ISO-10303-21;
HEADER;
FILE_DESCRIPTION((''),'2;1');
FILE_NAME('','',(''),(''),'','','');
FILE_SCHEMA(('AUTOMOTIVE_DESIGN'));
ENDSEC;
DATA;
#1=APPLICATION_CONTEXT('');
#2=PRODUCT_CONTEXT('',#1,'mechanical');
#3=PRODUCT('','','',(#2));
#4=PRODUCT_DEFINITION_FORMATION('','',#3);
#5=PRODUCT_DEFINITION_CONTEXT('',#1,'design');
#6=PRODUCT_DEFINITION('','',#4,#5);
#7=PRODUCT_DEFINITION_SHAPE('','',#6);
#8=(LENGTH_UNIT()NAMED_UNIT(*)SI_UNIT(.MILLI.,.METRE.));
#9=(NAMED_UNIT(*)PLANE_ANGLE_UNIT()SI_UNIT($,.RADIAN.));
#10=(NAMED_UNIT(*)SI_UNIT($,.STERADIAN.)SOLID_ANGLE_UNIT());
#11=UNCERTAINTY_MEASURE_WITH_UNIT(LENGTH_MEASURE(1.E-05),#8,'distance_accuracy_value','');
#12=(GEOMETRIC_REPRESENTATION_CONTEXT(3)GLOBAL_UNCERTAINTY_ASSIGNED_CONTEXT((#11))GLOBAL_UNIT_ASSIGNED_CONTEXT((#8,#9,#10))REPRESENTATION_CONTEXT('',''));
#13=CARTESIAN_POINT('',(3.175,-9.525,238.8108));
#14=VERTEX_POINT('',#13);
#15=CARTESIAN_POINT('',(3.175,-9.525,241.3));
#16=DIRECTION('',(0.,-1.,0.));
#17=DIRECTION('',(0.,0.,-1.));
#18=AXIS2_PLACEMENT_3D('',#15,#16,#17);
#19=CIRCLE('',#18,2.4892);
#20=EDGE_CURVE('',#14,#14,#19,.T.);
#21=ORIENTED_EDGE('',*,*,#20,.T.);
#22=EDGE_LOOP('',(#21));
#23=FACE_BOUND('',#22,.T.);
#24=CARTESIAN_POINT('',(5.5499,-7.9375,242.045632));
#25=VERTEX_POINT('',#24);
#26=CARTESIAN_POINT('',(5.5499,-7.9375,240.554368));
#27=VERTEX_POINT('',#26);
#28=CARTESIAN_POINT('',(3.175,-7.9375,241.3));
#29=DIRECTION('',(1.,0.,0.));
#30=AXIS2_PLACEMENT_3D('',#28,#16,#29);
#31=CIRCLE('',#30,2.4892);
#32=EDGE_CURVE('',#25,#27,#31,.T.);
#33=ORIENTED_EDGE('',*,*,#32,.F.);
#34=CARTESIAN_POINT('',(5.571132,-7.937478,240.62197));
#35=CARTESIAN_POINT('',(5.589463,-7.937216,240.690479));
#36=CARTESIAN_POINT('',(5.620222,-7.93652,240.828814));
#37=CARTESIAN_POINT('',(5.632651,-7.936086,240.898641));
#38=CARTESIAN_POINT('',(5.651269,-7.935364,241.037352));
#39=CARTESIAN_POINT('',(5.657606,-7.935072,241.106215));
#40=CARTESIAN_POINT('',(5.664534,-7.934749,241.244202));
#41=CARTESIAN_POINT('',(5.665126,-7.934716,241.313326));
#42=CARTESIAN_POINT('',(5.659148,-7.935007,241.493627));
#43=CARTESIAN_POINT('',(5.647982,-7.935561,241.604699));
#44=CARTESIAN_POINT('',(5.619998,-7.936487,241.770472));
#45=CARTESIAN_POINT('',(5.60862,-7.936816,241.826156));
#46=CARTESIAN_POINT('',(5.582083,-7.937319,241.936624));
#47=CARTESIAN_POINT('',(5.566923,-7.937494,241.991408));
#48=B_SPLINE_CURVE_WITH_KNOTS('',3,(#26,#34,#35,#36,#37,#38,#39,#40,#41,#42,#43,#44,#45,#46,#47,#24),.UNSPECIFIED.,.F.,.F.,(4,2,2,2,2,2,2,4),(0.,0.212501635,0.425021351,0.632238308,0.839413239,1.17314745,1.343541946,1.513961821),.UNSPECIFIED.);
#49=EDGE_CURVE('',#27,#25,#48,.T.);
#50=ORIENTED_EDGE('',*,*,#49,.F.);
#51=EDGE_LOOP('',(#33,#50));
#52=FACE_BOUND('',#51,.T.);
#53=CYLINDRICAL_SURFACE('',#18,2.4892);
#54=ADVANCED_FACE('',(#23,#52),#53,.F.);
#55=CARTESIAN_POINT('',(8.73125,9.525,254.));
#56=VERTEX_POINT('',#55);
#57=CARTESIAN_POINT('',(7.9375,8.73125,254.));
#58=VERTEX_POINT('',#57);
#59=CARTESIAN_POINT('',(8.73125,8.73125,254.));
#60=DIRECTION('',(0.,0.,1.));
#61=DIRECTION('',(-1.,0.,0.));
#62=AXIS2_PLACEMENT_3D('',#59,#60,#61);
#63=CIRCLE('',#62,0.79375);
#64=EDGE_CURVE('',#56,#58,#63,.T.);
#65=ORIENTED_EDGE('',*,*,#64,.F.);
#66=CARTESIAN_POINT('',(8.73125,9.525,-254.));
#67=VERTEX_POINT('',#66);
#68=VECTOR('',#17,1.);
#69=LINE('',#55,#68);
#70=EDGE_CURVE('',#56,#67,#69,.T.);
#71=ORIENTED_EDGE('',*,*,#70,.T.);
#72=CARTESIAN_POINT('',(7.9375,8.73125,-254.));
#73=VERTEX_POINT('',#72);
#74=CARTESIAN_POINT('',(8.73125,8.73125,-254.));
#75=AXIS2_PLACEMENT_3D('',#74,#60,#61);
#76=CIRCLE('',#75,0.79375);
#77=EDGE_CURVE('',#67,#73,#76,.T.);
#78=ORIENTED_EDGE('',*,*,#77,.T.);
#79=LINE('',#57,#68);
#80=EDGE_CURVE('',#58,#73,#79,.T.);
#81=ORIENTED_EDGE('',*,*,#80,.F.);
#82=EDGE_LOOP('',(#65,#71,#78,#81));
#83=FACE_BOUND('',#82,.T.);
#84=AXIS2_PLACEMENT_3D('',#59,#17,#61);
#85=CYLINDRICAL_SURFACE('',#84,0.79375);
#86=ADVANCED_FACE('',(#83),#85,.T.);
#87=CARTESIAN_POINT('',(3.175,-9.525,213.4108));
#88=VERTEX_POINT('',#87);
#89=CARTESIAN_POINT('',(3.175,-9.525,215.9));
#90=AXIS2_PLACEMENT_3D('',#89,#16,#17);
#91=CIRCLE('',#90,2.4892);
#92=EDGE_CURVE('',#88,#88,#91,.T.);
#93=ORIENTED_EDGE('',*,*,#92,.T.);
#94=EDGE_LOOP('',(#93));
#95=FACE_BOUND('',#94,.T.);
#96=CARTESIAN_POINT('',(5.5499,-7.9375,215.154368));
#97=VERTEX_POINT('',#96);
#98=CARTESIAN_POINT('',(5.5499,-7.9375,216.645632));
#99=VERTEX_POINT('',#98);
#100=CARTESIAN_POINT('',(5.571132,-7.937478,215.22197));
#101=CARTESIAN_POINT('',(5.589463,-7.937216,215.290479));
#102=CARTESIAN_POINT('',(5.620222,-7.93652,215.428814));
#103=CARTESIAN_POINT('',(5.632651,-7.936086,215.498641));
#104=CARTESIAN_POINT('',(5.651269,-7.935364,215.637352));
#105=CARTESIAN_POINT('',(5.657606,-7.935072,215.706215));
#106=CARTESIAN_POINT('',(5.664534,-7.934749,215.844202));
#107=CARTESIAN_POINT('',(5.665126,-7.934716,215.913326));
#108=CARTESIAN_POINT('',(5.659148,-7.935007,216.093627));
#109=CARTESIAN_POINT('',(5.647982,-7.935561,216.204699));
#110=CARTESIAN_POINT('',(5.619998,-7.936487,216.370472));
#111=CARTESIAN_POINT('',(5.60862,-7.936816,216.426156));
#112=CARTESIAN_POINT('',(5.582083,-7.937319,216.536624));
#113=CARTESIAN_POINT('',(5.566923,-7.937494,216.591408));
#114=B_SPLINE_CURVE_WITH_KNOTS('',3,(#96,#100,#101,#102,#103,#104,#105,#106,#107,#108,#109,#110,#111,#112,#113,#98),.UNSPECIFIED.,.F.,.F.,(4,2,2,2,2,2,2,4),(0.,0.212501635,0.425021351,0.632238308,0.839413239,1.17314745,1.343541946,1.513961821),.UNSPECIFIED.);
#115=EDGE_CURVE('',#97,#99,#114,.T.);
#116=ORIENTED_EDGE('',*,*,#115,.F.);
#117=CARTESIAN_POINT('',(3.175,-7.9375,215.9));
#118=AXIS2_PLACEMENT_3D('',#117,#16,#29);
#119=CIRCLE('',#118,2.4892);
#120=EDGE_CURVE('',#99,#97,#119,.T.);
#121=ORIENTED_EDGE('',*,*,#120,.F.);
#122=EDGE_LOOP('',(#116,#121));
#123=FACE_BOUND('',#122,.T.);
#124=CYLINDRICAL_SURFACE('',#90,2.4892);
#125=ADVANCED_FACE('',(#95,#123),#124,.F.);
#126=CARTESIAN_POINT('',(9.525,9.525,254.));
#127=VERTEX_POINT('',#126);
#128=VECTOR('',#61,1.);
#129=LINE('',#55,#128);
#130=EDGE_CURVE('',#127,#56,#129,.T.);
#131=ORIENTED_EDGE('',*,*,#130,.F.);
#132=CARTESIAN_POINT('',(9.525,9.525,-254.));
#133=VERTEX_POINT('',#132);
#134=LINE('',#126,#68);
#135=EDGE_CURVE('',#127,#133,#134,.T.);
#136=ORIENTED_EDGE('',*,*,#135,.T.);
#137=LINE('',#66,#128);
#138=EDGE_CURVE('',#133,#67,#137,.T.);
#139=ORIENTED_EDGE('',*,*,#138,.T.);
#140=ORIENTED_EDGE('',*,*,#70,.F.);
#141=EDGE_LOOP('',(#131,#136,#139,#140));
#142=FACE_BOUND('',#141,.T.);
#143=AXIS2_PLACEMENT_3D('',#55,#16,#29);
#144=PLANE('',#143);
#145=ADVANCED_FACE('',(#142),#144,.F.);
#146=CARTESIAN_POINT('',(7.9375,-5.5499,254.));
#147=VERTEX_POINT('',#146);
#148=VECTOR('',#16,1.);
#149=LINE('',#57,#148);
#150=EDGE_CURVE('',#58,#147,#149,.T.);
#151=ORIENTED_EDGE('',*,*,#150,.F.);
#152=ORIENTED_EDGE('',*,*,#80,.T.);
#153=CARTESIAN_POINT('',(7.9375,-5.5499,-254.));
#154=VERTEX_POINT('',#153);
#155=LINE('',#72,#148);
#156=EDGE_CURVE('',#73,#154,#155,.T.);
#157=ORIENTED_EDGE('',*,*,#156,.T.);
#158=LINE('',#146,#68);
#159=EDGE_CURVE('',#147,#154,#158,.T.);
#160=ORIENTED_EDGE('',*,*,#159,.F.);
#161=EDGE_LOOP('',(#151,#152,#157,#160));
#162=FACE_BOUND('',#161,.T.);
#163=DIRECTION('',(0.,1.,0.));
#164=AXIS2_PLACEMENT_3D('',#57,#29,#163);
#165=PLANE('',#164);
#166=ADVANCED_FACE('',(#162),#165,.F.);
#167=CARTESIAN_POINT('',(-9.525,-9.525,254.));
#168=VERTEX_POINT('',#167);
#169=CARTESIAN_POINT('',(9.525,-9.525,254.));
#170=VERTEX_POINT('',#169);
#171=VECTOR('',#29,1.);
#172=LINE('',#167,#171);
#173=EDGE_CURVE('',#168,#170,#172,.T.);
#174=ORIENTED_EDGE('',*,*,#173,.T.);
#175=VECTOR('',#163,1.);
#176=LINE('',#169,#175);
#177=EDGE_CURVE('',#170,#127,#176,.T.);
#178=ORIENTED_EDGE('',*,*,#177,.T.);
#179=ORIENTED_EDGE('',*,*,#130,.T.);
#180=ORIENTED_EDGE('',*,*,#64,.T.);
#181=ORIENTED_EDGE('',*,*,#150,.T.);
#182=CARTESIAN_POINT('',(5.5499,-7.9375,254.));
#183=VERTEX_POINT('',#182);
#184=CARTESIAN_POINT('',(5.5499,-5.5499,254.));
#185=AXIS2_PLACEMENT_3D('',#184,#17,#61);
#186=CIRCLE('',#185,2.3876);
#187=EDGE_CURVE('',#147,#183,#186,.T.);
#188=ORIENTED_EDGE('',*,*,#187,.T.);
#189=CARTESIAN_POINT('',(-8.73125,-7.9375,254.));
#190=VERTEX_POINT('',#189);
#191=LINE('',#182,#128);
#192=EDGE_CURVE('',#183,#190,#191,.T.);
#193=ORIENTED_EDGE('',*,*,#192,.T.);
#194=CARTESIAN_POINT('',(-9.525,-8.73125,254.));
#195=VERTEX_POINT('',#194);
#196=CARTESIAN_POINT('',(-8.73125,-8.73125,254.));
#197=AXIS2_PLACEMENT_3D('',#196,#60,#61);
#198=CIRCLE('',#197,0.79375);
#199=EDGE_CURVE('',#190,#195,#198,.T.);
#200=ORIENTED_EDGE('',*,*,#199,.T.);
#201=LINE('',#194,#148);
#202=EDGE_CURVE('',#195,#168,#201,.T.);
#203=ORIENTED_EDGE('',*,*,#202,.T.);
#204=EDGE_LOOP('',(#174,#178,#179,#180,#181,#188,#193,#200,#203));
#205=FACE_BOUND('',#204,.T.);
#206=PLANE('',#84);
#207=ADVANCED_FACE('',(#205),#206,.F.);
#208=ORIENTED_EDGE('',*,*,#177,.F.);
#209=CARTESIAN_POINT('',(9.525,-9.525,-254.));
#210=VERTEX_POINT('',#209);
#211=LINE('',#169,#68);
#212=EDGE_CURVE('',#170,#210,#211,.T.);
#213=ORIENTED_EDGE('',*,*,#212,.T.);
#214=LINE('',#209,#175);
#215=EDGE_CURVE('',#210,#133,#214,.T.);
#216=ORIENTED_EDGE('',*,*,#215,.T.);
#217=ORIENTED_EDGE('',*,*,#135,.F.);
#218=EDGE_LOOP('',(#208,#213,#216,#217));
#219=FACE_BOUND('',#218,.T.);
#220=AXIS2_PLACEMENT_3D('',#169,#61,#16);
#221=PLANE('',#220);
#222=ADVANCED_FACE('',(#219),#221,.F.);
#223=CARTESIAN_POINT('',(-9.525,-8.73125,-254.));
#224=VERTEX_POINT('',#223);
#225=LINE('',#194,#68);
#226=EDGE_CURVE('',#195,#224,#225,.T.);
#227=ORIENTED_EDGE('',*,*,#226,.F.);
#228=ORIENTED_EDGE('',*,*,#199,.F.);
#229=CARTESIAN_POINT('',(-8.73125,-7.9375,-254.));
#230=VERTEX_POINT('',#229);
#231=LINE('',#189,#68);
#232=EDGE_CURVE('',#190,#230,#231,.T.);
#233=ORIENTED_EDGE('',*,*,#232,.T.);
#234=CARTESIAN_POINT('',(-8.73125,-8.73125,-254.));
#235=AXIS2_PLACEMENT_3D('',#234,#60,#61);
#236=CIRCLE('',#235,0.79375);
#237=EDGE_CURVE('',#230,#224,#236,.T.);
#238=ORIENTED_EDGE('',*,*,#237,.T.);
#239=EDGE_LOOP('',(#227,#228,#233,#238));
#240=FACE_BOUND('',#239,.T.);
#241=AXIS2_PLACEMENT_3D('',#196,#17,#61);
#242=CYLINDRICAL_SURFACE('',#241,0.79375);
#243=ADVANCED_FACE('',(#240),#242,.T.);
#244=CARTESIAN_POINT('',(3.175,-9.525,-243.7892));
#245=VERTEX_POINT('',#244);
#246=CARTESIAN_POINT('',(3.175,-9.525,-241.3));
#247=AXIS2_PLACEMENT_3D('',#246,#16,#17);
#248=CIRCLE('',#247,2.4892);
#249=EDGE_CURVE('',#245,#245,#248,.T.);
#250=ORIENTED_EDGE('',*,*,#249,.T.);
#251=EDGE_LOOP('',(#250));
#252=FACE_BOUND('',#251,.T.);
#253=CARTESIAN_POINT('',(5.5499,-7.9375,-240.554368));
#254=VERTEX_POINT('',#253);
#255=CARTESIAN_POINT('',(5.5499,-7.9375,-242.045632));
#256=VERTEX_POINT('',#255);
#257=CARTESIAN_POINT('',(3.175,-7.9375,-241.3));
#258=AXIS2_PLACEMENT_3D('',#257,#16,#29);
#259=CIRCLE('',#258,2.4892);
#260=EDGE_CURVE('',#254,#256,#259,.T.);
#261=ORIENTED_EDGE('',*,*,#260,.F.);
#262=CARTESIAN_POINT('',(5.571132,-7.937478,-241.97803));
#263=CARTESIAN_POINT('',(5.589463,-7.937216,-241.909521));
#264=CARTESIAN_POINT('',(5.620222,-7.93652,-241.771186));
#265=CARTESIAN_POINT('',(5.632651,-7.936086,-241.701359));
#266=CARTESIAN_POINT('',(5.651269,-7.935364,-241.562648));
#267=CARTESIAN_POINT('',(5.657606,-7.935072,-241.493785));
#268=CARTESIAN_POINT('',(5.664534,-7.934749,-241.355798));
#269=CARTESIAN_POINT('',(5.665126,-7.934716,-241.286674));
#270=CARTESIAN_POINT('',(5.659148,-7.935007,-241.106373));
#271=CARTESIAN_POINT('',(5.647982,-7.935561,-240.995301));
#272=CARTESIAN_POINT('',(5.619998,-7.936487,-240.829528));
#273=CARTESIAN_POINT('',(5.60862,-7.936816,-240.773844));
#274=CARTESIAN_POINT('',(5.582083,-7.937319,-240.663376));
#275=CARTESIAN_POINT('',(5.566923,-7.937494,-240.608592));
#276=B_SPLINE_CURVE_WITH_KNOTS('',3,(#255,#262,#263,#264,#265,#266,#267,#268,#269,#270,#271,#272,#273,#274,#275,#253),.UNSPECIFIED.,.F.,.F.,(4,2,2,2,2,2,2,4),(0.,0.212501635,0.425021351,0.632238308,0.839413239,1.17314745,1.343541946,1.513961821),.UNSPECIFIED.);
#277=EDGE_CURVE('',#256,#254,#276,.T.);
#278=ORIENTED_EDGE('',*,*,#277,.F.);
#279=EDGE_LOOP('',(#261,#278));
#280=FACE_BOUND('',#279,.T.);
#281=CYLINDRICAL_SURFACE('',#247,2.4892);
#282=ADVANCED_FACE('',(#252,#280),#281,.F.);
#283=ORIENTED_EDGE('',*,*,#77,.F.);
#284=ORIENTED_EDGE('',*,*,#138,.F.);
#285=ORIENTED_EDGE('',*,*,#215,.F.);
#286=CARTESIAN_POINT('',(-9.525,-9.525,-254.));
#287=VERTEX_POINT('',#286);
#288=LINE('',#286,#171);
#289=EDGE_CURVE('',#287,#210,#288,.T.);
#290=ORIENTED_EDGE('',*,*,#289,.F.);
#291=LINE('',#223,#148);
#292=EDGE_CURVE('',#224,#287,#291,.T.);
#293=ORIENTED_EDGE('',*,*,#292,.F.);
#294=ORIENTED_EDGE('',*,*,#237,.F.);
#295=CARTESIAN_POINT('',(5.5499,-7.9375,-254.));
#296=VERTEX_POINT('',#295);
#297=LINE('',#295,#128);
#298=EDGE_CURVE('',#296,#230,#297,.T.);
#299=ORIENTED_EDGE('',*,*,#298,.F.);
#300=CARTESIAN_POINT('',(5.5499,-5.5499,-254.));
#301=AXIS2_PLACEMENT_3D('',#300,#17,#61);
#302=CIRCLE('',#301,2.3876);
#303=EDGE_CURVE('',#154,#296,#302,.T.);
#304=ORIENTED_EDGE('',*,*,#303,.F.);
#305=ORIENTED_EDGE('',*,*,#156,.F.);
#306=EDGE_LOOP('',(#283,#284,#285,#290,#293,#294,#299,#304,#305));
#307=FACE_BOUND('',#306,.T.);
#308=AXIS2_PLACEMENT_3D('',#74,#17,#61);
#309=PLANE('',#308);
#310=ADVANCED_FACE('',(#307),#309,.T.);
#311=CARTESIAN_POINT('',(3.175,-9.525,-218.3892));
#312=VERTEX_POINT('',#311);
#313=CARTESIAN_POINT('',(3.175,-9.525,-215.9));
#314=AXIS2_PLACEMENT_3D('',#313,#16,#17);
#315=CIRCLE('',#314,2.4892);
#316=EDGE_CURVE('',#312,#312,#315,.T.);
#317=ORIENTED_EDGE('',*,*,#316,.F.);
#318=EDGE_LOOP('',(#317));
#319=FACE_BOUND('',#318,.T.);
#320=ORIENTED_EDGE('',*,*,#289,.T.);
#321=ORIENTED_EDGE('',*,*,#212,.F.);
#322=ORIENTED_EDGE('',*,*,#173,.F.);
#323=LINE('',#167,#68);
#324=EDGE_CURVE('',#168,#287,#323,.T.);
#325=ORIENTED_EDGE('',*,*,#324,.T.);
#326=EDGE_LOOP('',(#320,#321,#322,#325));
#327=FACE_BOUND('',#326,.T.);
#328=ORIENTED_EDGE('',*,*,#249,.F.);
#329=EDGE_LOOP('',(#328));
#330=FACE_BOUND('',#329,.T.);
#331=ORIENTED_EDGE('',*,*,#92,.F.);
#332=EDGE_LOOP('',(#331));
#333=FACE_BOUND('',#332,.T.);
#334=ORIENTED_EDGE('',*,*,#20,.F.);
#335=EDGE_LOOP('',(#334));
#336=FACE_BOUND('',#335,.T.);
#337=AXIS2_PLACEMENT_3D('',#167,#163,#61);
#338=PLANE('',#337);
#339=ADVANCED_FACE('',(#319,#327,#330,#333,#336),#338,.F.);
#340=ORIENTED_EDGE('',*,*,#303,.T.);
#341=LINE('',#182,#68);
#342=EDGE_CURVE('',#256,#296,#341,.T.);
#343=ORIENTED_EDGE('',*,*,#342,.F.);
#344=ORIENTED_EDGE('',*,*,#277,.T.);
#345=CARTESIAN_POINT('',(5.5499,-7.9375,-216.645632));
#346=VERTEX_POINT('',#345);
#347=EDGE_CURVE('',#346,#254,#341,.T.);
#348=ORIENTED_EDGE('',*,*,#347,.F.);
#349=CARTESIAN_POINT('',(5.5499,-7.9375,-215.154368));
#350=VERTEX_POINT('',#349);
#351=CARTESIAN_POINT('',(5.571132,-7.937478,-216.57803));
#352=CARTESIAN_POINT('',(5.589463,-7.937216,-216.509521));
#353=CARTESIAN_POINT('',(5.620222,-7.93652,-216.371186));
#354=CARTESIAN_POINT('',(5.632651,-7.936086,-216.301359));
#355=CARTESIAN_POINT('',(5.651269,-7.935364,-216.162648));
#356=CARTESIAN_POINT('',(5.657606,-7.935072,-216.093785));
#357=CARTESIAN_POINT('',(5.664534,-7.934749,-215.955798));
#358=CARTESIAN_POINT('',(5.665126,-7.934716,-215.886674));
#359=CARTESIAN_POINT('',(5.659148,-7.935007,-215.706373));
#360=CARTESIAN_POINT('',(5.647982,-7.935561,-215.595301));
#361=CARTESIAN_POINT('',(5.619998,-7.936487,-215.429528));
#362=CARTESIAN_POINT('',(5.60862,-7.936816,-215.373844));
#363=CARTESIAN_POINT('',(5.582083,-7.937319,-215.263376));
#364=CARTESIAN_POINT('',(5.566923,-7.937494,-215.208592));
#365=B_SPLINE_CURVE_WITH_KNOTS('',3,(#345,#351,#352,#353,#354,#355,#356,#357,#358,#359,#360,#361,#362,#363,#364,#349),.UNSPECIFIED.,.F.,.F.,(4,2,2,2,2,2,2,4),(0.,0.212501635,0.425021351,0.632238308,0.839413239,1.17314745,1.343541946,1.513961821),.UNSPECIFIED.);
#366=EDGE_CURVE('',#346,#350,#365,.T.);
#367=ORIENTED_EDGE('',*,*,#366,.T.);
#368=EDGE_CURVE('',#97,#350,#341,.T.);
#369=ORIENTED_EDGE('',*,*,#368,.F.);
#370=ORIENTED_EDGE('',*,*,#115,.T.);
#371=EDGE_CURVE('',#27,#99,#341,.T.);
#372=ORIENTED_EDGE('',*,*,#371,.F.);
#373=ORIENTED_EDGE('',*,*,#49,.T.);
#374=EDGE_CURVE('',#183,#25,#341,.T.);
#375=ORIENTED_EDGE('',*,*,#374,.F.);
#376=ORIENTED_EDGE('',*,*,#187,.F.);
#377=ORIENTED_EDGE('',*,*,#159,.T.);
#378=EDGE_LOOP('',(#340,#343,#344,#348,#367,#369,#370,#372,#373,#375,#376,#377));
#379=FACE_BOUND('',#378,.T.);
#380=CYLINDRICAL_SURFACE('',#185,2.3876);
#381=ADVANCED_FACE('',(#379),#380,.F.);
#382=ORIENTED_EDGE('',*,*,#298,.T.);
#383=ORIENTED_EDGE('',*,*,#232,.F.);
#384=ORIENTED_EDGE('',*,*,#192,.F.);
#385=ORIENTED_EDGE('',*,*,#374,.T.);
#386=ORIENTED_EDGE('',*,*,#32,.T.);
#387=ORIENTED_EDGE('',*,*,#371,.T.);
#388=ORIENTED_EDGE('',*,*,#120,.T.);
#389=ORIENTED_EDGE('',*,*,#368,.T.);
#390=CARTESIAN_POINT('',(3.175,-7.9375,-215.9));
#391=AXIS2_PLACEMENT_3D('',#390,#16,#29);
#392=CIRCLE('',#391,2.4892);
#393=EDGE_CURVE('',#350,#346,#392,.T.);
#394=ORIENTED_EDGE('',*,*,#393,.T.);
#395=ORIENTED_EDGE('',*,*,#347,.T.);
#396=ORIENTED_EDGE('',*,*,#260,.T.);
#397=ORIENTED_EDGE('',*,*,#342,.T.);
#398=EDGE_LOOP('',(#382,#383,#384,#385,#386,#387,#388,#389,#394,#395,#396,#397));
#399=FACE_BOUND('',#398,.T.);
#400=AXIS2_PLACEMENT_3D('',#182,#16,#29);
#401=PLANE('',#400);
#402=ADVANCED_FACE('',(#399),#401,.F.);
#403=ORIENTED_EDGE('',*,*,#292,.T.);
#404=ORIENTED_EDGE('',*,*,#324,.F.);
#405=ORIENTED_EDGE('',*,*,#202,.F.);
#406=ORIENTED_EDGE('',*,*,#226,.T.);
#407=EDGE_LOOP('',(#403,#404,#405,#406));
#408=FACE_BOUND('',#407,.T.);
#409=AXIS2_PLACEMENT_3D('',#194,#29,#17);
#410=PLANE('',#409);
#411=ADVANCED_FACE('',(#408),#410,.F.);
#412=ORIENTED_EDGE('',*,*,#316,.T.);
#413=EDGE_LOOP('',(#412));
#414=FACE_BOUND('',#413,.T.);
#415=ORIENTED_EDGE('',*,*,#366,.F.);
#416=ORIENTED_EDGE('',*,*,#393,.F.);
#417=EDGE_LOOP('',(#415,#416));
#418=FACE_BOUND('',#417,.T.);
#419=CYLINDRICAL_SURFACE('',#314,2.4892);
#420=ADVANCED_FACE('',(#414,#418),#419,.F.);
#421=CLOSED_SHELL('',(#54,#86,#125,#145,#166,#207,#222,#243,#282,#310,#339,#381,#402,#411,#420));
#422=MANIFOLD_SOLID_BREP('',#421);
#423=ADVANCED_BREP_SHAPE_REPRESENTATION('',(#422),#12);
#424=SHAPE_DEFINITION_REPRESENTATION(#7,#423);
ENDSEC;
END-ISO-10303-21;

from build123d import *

# Parameters (mm, degrees)
BOSS_EXTRUDE1_DEPTH        = 254
F_10_CLEARANCE_HOLE1_D     = 4.9784
F_10_CLEARANCE_HOLE1_DEPTH = 3.302
F_10_CLEARANCE_HOLE1_TIP   = 1.495662253


with BuildPart() as part:
    # Sketch2 → Boss-Extrude1 (new, symmetric)
    with BuildSketch(Plane.XY):
        with BuildLine():
            Line((-9.525, -9.525), (9.525, -9.525))
            Line((9.525, -9.525), (9.525, 9.525))
            Line((9.525, 9.525), (8.73125, 9.525))
            ThreePointArc((8.73125, 9.525), (8.169983992, 9.292516008), (7.9375, 8.73125))
            Line((7.9375, 8.73125), (7.9375, -5.5499))
            ThreePointArc((7.9375, -5.5499), (7.238188151, -7.238188151), (5.5499, -7.9375))
            Line((5.5499, -7.9375), (-8.73125, -7.9375))
            ThreePointArc((-8.73125, -7.9375), (-9.292516008, -8.169983992), (-9.525, -8.73125))
            Line((-9.525, -8.73125), (-9.525, -9.525))
        make_face()
    extrude(amount=BOSS_EXTRUDE1_DEPTH, both=True)

    # #10 Clearance Hole1
    with Locations(Plane(origin=(0, -9.525, 0), x_dir=(-1, 0, 0), z_dir=(0, -1, 0))):
        with Locations((-3.175, 241.3), (-3.175, 215.9), (-3.175, -241.3), (-3.175, -215.9)):
            Hole(F_10_CLEARANCE_HOLE1_D / 2, depth=F_10_CLEARANCE_HOLE1_DEPTH)
            with Locations((0, 0, -(F_10_CLEARANCE_HOLE1_DEPTH + F_10_CLEARANCE_HOLE1_TIP / 2))):  # 118° drill point
                Cone(0, F_10_CLEARANCE_HOLE1_D / 2, F_10_CLEARANCE_HOLE1_TIP, mode=Mode.SUBTRACT)


solid = part.part
